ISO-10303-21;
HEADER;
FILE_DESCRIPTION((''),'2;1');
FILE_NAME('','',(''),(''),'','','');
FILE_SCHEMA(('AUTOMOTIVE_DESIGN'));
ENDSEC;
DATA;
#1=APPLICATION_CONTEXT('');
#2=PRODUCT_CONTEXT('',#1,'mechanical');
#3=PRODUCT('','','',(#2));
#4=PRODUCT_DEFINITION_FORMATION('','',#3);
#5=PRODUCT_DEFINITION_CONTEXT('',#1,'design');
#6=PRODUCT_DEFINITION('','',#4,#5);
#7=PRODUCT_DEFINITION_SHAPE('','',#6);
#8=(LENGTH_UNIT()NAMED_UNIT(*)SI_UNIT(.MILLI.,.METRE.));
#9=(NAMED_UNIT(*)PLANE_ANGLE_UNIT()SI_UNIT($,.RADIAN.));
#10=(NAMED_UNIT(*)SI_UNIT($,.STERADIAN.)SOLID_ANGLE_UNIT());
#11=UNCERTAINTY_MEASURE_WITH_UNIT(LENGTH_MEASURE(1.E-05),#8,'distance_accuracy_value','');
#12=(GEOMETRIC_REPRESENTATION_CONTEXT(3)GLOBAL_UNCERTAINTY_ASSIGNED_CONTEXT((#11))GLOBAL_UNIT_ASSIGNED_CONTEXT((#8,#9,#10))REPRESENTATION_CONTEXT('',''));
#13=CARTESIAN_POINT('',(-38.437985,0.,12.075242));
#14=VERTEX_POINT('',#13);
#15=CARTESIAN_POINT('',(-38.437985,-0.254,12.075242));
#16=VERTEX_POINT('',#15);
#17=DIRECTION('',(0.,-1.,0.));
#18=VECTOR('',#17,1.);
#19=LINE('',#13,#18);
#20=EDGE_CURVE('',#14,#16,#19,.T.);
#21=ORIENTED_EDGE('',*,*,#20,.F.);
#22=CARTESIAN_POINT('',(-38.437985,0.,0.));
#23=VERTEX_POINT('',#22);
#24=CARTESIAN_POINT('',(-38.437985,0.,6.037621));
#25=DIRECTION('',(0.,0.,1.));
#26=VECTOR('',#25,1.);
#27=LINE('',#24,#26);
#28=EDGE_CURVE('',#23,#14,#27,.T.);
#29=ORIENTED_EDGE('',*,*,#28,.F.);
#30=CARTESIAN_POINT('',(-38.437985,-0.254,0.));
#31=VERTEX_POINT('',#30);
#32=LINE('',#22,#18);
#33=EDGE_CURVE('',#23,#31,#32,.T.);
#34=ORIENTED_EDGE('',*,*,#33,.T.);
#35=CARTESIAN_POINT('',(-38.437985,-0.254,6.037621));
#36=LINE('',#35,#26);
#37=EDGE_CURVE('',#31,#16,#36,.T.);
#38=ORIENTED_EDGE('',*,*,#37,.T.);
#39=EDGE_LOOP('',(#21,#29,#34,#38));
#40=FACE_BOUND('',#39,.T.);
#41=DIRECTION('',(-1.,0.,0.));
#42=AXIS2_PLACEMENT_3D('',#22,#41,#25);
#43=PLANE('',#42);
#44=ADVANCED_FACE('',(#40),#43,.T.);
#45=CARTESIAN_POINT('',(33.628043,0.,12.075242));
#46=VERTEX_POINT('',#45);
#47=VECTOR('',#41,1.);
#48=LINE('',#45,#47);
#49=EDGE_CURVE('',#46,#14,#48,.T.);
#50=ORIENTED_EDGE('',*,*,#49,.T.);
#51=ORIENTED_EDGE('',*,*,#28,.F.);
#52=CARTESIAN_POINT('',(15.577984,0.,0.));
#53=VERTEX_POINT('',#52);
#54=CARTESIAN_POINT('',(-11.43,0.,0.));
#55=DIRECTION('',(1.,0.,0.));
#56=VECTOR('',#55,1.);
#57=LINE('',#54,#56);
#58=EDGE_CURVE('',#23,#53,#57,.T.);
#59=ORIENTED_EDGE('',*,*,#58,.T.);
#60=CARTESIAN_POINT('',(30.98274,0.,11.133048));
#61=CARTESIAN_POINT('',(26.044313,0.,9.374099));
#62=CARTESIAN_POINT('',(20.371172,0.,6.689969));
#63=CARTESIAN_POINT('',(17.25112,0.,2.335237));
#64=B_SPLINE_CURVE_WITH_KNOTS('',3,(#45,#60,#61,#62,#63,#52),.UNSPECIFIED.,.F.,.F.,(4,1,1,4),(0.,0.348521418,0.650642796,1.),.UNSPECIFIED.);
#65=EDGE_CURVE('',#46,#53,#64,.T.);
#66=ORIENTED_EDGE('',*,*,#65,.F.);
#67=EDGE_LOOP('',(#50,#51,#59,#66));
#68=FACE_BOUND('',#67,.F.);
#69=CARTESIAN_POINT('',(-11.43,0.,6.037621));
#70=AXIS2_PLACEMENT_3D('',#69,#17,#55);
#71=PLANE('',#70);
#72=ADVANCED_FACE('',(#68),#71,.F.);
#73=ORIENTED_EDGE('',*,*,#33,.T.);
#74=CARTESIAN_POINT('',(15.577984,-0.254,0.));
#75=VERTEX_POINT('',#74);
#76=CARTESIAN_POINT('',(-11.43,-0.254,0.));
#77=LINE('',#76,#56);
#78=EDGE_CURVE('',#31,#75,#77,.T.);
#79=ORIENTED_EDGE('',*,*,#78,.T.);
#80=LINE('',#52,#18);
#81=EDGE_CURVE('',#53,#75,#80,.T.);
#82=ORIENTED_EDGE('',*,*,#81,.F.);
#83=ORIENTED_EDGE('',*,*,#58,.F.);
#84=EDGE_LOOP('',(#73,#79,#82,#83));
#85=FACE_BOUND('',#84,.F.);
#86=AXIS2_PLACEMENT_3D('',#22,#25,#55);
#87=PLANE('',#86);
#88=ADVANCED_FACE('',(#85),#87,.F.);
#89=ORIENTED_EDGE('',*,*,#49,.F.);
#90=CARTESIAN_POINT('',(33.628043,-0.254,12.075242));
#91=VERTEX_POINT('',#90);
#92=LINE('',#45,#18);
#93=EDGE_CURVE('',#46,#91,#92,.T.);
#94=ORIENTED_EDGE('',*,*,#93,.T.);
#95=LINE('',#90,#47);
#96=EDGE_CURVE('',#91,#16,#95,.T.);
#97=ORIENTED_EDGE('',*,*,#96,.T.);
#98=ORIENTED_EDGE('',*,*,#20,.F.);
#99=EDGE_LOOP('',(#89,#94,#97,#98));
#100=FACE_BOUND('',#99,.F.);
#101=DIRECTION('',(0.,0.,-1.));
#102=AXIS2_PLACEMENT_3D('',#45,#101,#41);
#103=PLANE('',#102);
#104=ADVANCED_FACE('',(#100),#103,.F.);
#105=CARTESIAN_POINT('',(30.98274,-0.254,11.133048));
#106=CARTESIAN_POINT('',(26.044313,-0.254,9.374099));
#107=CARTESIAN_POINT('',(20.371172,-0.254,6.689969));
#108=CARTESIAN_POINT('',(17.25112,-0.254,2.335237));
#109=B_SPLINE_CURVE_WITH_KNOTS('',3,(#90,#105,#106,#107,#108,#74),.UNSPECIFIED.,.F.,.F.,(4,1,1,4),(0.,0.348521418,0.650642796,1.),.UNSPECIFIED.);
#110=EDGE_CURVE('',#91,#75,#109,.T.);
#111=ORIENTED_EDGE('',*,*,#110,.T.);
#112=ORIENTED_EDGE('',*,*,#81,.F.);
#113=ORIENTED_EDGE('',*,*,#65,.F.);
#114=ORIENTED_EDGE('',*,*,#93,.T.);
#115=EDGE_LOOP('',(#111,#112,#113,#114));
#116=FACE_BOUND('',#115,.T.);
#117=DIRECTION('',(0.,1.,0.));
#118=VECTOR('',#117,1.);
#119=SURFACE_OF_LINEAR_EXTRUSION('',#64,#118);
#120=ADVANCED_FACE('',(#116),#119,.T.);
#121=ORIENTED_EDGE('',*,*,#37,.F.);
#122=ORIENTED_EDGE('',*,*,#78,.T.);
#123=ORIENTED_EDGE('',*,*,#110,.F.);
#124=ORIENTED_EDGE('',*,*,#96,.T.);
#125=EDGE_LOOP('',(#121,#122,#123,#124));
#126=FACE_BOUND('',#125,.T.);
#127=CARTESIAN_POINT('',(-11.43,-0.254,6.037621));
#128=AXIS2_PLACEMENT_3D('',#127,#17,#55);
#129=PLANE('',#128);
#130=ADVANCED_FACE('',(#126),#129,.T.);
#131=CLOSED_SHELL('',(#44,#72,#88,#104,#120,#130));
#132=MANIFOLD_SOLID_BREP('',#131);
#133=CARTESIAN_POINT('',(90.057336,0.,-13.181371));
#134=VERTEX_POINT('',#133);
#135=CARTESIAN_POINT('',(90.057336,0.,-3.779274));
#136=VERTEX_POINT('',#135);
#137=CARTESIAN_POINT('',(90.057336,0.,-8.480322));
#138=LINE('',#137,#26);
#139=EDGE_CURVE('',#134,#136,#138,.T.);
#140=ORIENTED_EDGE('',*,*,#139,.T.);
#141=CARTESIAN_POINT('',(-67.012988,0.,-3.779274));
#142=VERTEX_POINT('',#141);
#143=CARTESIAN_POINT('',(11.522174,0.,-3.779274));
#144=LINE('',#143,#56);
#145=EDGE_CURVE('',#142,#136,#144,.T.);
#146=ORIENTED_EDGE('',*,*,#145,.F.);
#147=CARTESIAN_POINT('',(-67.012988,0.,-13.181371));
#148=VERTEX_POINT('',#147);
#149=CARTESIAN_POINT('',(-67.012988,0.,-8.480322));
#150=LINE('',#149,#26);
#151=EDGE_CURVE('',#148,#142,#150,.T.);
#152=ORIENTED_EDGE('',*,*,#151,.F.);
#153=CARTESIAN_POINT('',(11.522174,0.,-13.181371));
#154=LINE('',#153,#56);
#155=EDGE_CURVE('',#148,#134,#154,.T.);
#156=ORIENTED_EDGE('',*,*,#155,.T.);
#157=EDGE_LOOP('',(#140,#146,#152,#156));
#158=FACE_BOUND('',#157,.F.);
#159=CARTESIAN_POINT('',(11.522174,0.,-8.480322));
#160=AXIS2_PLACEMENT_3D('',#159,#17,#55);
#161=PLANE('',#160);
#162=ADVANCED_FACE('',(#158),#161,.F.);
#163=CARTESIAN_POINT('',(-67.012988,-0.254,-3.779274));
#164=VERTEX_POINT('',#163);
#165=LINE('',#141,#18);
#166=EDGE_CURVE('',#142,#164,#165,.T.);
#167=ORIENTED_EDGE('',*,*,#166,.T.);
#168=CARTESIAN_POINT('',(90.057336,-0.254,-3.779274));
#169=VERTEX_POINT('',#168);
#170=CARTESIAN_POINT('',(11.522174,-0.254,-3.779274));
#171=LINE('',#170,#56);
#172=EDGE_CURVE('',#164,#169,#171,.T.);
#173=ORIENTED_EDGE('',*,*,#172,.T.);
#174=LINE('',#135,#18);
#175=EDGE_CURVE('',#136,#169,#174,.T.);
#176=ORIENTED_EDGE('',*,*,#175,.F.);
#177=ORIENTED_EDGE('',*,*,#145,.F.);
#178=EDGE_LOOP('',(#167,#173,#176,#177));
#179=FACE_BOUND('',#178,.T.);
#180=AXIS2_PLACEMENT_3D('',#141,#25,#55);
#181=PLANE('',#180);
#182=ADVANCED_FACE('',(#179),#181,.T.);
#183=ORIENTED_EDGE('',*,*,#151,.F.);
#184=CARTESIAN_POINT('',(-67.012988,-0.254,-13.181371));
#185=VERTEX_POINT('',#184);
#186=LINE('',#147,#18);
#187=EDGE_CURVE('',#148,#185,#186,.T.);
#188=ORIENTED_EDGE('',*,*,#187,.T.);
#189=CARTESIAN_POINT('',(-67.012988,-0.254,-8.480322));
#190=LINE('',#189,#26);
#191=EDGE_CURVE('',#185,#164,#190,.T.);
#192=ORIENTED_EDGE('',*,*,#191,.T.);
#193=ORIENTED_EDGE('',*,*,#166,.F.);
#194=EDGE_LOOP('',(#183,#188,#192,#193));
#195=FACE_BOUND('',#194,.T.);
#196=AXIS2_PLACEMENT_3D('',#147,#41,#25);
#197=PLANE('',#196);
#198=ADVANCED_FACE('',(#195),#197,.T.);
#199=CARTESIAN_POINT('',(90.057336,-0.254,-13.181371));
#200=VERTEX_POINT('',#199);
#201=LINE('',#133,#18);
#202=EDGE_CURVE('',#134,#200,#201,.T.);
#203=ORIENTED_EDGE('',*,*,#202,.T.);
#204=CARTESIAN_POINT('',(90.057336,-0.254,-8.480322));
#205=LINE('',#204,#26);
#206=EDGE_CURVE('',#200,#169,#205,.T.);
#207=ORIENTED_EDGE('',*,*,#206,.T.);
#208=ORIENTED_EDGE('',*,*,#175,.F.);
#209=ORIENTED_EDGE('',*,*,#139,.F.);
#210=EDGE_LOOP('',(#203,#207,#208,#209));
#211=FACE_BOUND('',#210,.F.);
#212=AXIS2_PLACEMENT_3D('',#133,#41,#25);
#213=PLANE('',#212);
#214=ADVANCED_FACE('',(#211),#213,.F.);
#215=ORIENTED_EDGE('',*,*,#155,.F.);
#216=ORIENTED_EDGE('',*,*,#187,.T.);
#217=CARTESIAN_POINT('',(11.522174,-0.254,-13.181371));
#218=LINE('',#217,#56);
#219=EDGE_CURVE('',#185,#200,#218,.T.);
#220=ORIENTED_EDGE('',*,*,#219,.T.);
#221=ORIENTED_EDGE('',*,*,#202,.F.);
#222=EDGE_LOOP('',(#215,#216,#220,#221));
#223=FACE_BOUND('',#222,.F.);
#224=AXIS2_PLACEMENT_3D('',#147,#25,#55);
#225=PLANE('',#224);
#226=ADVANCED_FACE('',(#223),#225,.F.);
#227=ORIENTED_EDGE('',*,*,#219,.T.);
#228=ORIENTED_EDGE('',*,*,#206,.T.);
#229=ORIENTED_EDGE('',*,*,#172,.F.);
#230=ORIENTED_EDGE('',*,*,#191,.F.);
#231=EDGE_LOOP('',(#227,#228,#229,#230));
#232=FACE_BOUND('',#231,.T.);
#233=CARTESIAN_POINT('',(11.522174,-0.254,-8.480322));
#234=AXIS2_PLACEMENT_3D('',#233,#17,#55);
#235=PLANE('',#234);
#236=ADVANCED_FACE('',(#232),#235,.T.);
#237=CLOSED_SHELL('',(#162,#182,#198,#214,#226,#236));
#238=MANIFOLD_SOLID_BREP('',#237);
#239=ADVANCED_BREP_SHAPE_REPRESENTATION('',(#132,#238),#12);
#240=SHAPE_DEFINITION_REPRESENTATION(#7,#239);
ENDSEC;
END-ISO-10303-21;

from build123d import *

# Parameters (mm, degrees)
F0_W     = 54.0159689263
F0_H     = 12.0752416551
F1_DEPTH = 0.254
F0_W_2   = 157.0703238249
F0_H_2   = 9.4020965043


with BuildPart() as f1:
    # F0 (on Front) → F1 (new body)
    with BuildSketch(Plane.XZ):
        with Locations((-11.4300004207, 6.0376208276)):
            Rectangle(F0_W, F0_H)
        with BuildLine():
            Line((33.6280427873, 12.0752416551), (15.5779840425, 12.0752416551))
            Line((15.5779840425, 12.0752416551), (15.5779840425, 0))
            add(Edge.make_bspline(
                [(33.6280427873, 12.0752416551), (30.9827395487, 11.1330479466), (26.0443127934, 9.3740985184), (20.3711720814, 6.6899689676), (17.2511204303, 2.3352370953), (15.5779840425, 0)],
                knots=[0, 0, 0, 0, 0.3485214179, 0.6506427959, 1, 1, 1, 1], degree=3))
        make_face()
    extrude(amount=F1_DEPTH)


with BuildPart() as f1b:
    # F0 (on Front) → F1, piece 2 (new body)
    with BuildSketch(Plane.XZ):
        with Locations((11.5221738815, -8.4803224308)):
            Rectangle(F0_W_2, F0_H_2)
    extrude(amount=F1_DEPTH)


solid = Compound([f1.part, f1b.part])
